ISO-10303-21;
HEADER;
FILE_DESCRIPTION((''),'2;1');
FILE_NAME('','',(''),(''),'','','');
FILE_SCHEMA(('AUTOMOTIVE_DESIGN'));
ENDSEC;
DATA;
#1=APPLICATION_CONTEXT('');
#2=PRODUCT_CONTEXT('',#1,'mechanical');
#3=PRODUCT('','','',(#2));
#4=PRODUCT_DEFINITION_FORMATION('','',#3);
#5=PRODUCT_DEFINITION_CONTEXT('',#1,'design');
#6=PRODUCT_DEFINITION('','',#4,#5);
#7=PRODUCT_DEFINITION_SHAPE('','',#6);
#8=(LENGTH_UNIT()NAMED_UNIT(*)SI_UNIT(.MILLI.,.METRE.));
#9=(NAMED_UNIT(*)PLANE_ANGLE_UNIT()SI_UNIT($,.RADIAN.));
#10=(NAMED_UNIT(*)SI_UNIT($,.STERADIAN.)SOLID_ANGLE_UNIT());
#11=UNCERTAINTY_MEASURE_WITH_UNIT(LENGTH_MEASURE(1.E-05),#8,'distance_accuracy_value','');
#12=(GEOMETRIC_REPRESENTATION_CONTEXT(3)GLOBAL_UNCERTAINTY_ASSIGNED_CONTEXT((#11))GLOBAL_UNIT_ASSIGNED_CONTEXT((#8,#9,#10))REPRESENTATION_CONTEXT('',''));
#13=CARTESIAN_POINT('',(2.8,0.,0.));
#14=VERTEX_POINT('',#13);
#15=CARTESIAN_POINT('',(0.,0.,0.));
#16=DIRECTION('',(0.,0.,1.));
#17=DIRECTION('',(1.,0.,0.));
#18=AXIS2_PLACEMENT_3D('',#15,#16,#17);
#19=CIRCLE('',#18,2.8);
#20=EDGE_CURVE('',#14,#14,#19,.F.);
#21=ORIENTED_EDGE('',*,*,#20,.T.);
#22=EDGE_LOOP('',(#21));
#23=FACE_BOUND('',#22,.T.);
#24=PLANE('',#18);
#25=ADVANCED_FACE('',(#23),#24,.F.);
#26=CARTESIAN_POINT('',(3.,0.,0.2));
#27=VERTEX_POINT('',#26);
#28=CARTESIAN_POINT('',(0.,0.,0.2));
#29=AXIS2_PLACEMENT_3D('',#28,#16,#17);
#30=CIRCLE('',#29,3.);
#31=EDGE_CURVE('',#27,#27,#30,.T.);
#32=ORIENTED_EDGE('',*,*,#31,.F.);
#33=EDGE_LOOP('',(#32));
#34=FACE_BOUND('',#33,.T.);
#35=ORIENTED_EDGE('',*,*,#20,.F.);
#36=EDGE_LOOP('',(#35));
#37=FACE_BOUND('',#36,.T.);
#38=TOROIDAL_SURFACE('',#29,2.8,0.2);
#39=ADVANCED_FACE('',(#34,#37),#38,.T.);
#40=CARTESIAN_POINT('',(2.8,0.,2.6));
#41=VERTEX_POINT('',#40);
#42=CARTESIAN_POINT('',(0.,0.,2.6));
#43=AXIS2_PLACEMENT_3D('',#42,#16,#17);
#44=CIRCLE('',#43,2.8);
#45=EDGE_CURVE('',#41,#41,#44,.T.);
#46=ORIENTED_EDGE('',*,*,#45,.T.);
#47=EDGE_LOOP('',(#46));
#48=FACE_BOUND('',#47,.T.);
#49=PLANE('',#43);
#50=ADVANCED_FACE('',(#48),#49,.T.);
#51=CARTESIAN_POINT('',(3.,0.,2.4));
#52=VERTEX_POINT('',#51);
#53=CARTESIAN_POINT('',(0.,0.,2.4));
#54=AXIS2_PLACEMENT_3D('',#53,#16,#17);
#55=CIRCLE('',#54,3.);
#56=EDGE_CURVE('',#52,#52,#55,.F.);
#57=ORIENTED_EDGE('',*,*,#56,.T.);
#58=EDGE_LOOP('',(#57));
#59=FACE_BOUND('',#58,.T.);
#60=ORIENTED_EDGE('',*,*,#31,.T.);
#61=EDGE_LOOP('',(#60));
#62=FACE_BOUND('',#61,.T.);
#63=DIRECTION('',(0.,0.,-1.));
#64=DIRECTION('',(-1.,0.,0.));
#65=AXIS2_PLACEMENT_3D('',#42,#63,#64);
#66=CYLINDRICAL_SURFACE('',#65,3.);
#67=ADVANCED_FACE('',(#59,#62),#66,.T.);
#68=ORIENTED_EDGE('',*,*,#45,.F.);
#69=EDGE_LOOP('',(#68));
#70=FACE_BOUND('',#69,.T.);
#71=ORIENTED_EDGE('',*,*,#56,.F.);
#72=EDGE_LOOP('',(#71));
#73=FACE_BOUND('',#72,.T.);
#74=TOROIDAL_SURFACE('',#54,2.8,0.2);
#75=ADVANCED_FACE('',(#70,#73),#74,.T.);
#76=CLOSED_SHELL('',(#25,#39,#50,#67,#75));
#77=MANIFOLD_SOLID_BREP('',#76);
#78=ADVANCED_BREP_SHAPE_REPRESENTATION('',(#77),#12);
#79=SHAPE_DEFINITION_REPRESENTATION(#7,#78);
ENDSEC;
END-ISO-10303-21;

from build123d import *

# Parameters (mm, degrees)
ESQUISSE1_R        = 3
BOSS_EXTRU_1_DEPTH = 2.6
CONG_1_R           = 0.2


with BuildPart() as part:
    # Esquisse1 → Boss.-Extru.1 (new body)
    with BuildSketch(Plane.XY):
        Circle(ESQUISSE1_R)
    extrude(amount=BOSS_EXTRU_1_DEPTH)

    # Congé1
    cong_1_edges = [part.edges().sort_by_distance(p)[0] for p in [
        (-3, 0, 0),
        (-3, 0, 2.6),
    ]]
    fillet(cong_1_edges, radius=CONG_1_R)


solid = part.part
